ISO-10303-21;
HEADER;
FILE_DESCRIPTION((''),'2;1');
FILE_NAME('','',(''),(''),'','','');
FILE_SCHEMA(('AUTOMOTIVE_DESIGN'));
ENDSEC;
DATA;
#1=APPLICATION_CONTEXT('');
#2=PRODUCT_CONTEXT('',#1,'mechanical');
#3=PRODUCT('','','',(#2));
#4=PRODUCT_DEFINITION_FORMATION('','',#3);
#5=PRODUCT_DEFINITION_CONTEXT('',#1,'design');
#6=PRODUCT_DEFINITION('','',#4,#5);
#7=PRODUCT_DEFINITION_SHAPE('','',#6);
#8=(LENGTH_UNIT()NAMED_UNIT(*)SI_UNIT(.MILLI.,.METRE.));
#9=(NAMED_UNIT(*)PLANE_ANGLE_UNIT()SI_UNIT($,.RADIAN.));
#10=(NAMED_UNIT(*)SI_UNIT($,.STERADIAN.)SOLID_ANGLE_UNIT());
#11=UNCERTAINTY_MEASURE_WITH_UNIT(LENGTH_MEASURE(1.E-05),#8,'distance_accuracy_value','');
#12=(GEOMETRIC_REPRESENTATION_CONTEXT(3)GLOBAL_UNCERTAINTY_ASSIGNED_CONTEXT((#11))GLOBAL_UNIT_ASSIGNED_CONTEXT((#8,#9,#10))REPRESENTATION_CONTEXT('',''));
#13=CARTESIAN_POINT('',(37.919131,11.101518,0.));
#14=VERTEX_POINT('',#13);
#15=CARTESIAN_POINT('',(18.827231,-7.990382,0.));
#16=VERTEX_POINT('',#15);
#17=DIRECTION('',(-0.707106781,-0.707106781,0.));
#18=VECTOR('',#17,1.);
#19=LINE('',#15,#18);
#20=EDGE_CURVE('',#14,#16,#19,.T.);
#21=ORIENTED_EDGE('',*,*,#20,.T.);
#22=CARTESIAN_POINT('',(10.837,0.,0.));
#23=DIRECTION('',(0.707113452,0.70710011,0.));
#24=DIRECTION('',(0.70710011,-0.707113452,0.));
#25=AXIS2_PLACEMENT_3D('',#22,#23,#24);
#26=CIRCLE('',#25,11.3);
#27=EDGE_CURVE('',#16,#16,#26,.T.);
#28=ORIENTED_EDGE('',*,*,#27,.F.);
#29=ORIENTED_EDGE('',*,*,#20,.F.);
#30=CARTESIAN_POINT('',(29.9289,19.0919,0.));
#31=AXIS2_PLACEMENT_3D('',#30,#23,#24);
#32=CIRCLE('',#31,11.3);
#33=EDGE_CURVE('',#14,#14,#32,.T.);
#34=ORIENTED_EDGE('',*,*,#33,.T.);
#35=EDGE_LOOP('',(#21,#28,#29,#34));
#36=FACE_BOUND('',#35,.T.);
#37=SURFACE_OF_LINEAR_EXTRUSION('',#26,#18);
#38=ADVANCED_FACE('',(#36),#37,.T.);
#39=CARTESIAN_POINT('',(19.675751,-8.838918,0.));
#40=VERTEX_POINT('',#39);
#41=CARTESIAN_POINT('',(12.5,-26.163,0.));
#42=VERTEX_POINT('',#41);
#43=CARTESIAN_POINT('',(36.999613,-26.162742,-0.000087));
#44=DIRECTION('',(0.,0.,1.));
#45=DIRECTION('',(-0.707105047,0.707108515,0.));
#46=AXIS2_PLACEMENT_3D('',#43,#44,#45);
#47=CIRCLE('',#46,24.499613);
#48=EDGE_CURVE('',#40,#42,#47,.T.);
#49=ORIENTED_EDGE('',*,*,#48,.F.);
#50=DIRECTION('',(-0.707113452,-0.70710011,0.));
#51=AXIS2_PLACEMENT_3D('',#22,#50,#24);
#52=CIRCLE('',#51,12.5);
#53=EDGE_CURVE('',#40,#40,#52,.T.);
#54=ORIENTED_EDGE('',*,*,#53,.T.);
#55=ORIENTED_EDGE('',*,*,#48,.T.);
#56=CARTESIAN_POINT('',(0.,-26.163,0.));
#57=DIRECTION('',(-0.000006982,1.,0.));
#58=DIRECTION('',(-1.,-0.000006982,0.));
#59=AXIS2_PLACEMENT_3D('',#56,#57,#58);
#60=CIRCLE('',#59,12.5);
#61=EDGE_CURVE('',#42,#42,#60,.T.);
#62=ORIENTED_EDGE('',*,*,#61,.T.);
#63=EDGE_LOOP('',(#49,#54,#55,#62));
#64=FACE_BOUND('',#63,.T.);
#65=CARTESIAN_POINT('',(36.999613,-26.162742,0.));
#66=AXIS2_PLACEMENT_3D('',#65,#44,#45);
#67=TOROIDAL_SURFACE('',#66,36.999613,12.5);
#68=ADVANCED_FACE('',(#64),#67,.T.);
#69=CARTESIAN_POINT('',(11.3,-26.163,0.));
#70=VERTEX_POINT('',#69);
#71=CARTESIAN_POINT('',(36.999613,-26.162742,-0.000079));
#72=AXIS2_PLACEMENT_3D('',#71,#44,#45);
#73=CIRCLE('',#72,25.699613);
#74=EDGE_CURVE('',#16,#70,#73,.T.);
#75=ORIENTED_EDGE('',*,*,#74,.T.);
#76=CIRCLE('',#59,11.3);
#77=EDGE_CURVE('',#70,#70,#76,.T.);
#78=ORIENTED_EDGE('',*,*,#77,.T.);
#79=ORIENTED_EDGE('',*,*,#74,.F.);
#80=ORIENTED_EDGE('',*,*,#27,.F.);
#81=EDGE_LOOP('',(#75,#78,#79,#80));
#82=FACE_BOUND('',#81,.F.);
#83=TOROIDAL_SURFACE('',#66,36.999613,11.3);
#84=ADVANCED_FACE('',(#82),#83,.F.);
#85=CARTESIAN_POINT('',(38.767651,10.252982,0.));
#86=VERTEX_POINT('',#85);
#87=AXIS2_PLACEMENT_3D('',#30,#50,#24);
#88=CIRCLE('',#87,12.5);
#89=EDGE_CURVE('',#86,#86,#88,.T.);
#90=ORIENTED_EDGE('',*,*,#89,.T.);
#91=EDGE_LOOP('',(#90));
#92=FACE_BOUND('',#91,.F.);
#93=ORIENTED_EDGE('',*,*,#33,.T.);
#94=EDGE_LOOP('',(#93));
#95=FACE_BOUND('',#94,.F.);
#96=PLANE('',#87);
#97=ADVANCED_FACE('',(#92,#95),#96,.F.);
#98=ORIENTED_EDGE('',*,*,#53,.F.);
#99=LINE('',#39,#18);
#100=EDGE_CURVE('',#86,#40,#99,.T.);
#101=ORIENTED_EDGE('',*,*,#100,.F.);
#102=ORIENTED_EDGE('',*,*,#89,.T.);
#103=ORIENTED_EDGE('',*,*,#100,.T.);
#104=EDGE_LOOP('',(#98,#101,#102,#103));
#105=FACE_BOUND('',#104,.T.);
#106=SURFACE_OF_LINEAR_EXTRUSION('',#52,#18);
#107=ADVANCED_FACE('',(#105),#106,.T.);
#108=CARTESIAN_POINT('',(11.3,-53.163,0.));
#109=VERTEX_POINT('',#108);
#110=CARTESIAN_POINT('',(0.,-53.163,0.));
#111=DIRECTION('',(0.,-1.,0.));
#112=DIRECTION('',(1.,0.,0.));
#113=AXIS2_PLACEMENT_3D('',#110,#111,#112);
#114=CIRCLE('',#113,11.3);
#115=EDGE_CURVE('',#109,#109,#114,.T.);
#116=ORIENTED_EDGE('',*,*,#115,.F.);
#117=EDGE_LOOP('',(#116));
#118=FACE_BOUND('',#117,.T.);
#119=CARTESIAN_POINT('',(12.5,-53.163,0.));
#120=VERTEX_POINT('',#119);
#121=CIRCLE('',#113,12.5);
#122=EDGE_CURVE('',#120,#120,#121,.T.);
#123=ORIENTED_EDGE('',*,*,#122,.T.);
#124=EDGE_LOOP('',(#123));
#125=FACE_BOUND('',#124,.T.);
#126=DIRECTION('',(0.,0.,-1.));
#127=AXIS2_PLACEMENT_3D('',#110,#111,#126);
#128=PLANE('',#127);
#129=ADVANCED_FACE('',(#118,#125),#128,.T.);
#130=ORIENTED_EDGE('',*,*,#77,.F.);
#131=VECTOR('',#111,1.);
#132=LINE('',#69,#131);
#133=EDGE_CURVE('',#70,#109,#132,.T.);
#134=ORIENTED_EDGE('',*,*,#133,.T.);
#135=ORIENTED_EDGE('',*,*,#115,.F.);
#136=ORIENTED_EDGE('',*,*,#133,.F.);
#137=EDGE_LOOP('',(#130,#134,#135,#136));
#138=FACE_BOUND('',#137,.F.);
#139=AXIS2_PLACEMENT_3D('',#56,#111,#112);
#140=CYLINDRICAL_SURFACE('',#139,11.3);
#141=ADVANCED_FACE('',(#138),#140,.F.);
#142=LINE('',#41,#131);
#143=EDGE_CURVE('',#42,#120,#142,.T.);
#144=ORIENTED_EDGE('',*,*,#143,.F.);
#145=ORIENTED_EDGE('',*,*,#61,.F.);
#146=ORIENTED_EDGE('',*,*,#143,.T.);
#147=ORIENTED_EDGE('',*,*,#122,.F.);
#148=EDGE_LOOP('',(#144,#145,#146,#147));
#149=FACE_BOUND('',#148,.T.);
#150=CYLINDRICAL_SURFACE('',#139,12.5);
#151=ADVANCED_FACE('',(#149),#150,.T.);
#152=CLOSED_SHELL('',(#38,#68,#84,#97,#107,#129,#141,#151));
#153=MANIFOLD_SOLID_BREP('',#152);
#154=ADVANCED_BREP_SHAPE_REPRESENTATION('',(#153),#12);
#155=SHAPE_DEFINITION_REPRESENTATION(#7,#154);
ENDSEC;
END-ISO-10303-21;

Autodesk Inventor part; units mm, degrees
ref_plane "YZ Plane" through (0, 0, 0) normal (1, 0, 0) x (0, 1, 0)
ref_plane "XZ Plane" through (0, 0, 0) normal (0, 1, 0) x (-1, 0, 0)
sketch "Szkic6" plane through (0, 0, 0) normal (0, 0, 1) x (1, 0, 0)
  line L0 (-29.6067, 0) -> (35.2678, 0) construction
  line L1 (0, 42.3419) -> (0, -58.3726) construction
  arc A0 (10.837, 0) -> (0, -26.163) centre (37, -26.163) ccw
  line L2 (0, -26.163) -> (37, -26.163) construction
  line L3 (37, -26.163) -> (-9.3389, 20.1759) construction
  line L4 (10.837, 0) -> (29.9289, 19.0919)
  line L5 (0, -26.163) -> (0, -53.163)
  point P0 (0, 0)
  dimension "d24" = 37
  dimension "d31" = 45
  dimension "d36" = 27
  dimension "d37" = 27
ref_plane "Płaszczyzna konstrukcyjna2" through (0, -26.163, 0) normal (0, -1, 0) x (1, 0, 0)
sketch "Szkic8" plane through (0, -26.163, 0) normal (0, -1, 0) x (1, 0, 0)
  circle A0 centre (0, 0) radius 12.5
  circle A1 centre (0, 0) radius 11.3
  dimension "d32" = 25
  dimension "d33" = 1.2
sweep "Przeciągnięcie2" add profiles "Szkic8" path "Szkic6"
equation "\"d32\" = OD"
equation "\"d33\" = THK"
equation "\"d24\" = R"
equation "\"d31\" = KAT"
equation "\"d36\" = PROSTKA"
equation "\"d37\" = PROSTKA"
equation "\"SzerokośćGięciaPodcięcia\" = Grubość"
equation "\"RozmiarPodcięciaNarożnika\" = 4 * Grubość"
equation "\"PromieńPrzejścia\" = PromieńGięcia"
equation "\"Rozmiar_promienia_Jacobiego\" = PromieńGięcia"
equation "\"Wielk_odstępu\" = Grubość"
equation "\"d2\" = PromieńGięcia"
equation "\"d23\" = PromieńGięcia"
equation "\"R\" = 37"
equation "\"OD\" = 25"
equation "\"THK\" = 1.2"
equation "\"KAT\" = 45deg"
equation "\"PROSTKA\" = 27"
equation "\"Grubość\" = 1.5"
equation "\"PromieńGięcia\" = 3"
properties part number "Kolano 45° ø25x1,2 R37" material "304L"
